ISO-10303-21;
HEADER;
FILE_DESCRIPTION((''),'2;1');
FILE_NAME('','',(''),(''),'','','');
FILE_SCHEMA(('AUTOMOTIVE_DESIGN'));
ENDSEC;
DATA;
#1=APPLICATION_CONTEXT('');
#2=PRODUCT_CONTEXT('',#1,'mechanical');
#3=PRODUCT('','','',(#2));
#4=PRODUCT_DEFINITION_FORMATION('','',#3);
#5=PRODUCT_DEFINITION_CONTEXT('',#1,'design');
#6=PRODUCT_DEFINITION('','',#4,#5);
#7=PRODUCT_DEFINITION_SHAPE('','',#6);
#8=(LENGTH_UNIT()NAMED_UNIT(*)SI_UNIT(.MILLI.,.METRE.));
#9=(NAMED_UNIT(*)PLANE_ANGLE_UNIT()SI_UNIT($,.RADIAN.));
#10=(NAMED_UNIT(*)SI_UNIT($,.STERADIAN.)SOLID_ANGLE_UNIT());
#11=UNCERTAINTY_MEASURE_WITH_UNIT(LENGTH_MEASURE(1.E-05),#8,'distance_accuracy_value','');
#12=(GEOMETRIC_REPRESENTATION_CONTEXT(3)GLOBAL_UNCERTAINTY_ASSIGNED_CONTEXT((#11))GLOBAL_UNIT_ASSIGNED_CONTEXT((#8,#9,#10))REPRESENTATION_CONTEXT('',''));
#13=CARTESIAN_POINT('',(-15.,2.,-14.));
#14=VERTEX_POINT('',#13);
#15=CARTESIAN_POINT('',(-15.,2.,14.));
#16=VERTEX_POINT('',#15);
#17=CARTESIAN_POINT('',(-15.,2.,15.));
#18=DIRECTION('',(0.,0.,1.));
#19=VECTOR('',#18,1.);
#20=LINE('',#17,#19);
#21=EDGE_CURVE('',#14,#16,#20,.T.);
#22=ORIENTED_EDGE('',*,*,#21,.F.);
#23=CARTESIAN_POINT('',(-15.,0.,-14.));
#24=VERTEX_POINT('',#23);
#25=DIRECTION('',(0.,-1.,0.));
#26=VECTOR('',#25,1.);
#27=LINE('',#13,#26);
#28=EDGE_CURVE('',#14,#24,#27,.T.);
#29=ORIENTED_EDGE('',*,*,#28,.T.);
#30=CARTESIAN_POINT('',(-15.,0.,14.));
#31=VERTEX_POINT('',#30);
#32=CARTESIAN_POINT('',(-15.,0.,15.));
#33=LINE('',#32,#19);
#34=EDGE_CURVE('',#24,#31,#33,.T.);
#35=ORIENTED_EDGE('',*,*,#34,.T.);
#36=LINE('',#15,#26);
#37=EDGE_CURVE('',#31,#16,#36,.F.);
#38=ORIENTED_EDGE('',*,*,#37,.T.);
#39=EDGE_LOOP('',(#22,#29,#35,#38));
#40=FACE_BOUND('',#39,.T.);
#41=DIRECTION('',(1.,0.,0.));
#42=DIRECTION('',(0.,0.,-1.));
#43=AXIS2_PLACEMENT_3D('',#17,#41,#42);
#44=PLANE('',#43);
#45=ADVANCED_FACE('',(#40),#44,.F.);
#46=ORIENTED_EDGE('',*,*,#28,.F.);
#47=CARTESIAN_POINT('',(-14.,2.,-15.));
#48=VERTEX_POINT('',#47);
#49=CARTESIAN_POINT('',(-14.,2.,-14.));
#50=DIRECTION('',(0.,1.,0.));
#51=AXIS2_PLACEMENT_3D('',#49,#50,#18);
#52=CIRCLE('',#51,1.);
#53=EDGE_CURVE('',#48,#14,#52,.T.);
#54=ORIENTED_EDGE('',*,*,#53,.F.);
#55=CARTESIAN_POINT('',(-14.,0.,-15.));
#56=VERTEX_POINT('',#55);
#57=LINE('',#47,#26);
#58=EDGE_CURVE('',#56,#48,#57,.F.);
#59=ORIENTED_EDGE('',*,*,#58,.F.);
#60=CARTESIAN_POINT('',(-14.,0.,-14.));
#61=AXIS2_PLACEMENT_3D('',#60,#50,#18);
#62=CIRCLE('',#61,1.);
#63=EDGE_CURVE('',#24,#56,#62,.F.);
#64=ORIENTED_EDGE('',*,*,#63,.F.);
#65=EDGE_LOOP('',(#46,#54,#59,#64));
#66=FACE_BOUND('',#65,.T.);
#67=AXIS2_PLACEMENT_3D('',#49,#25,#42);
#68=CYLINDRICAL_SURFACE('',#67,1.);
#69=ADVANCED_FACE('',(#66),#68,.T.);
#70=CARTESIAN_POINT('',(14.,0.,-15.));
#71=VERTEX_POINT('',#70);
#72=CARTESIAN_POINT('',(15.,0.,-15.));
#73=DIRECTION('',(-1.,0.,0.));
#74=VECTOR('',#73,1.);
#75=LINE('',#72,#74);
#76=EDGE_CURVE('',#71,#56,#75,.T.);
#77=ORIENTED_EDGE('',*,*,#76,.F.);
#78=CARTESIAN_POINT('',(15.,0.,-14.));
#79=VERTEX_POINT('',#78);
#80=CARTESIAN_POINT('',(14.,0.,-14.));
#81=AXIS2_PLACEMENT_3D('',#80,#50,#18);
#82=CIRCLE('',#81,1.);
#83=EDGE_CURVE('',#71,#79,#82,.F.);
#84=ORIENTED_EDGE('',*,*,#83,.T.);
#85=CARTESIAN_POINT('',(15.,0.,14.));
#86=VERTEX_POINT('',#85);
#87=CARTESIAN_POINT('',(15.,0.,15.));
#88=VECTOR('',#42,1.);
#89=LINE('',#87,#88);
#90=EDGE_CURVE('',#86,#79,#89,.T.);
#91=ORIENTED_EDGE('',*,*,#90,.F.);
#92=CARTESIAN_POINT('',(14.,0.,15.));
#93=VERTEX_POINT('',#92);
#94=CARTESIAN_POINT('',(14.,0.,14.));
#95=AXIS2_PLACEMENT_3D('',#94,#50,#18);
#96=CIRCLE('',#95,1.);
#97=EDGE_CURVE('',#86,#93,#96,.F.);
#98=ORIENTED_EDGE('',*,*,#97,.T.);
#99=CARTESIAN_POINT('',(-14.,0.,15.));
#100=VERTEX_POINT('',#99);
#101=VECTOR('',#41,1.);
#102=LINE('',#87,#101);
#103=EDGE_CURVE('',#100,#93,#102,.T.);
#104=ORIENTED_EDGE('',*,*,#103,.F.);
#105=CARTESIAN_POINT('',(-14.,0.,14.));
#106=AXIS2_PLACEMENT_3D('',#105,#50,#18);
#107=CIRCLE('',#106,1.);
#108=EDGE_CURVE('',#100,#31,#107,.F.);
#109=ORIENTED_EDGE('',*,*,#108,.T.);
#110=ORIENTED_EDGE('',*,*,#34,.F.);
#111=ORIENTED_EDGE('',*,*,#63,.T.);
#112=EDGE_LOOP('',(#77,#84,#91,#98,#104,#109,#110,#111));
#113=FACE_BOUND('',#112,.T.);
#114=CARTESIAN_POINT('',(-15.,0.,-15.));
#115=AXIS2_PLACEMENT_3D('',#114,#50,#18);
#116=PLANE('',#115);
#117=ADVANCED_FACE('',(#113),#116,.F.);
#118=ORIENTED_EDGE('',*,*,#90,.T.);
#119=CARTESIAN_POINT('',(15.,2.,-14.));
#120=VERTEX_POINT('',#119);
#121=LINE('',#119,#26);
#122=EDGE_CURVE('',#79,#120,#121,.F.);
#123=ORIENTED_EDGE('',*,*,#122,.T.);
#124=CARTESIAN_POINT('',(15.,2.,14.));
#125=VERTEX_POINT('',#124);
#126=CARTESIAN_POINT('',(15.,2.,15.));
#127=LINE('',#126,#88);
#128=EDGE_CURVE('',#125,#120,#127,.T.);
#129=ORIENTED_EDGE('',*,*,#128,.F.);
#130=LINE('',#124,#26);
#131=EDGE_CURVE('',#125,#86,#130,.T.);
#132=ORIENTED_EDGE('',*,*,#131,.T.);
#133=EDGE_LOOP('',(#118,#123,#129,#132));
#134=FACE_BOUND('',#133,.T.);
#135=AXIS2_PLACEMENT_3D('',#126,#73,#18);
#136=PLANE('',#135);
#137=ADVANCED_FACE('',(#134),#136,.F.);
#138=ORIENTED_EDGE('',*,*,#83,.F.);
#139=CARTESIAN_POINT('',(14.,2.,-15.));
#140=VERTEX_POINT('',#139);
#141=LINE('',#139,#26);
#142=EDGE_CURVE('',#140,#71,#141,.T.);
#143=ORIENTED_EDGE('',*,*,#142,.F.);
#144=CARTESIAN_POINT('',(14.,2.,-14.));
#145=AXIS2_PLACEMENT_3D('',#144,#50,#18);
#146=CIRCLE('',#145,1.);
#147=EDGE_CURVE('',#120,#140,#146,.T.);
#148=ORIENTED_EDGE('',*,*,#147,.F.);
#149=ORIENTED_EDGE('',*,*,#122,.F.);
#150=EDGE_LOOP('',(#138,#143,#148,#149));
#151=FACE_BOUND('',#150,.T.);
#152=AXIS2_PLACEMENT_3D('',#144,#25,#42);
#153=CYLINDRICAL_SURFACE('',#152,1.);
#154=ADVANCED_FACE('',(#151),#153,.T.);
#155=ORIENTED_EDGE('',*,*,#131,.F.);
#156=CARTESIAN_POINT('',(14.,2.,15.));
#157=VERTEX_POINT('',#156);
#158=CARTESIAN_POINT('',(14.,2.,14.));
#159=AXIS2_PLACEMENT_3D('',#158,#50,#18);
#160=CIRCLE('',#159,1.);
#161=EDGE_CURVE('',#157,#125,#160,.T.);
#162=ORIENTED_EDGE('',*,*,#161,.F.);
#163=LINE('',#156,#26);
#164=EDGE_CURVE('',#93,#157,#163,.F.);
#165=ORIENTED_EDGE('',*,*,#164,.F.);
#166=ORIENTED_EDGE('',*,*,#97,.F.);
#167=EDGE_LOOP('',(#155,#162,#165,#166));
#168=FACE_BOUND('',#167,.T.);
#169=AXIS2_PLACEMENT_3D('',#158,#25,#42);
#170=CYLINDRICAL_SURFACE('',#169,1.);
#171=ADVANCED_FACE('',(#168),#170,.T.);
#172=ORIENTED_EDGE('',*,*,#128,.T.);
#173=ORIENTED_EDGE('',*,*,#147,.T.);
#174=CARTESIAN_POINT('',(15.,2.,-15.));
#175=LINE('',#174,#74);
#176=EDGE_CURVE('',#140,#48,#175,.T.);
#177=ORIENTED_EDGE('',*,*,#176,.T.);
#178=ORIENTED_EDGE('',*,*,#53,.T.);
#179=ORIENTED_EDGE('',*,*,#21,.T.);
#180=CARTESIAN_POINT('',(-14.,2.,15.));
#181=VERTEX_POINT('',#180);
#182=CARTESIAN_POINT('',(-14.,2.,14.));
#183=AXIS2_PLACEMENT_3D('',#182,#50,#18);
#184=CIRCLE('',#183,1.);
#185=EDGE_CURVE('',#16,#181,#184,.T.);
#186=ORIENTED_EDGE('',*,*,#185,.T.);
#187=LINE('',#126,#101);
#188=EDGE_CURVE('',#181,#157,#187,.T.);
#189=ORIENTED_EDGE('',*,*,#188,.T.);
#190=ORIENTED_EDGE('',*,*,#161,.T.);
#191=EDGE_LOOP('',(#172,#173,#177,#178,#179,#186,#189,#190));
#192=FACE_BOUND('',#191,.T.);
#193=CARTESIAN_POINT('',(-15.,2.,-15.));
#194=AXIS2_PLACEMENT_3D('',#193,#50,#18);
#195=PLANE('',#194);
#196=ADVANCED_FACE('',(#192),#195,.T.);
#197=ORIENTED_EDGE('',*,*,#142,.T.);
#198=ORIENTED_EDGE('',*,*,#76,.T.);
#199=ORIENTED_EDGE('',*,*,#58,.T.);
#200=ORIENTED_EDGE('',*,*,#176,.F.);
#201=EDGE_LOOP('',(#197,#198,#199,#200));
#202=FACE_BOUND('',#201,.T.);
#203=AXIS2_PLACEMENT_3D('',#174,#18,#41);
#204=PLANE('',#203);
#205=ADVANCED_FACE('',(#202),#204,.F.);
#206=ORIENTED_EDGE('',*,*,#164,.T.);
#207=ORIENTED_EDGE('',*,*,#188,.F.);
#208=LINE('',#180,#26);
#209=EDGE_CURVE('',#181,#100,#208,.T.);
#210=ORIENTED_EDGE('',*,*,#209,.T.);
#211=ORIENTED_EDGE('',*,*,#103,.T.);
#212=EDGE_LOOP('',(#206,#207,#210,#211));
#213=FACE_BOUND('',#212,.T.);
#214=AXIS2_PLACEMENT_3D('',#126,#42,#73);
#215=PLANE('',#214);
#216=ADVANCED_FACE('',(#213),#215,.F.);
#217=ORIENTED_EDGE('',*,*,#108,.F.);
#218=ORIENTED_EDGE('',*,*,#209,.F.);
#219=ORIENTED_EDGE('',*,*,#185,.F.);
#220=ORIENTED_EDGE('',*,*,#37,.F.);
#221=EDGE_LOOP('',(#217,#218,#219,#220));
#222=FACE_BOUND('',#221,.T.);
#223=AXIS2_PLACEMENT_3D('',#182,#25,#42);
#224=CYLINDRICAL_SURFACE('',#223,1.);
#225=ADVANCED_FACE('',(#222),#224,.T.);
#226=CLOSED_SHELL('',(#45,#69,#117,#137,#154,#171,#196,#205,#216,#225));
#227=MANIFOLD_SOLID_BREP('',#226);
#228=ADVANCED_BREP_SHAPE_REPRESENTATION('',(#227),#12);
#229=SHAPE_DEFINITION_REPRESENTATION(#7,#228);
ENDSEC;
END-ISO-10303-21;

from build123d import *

# Parameters (mm, degrees)
CROQUIS1_W     = 30
CROQUIS1_H     = 30
EXTRUIR1_DEPTH = 2
REDONDEO1_R    = 1


with BuildPart() as part:
    # Croquis1 → Extruir1 (new body)
    with BuildSketch(Plane(origin=(0, 0, 0), x_dir=(1, 0, 0), z_dir=(0, 1, 0))):
        Rectangle(CROQUIS1_W, CROQUIS1_H)
    extrude(amount=EXTRUIR1_DEPTH)

    # Redondeo1
    redondeo1_edges = [part.edges().sort_by_distance(p)[0] for p in [
        (-15, 1, -15),
        (15, 1, -15),
        (15, 1, 15),
        (-15, 1, 15),
    ]]
    fillet(redondeo1_edges, radius=REDONDEO1_R)


solid = part.part
